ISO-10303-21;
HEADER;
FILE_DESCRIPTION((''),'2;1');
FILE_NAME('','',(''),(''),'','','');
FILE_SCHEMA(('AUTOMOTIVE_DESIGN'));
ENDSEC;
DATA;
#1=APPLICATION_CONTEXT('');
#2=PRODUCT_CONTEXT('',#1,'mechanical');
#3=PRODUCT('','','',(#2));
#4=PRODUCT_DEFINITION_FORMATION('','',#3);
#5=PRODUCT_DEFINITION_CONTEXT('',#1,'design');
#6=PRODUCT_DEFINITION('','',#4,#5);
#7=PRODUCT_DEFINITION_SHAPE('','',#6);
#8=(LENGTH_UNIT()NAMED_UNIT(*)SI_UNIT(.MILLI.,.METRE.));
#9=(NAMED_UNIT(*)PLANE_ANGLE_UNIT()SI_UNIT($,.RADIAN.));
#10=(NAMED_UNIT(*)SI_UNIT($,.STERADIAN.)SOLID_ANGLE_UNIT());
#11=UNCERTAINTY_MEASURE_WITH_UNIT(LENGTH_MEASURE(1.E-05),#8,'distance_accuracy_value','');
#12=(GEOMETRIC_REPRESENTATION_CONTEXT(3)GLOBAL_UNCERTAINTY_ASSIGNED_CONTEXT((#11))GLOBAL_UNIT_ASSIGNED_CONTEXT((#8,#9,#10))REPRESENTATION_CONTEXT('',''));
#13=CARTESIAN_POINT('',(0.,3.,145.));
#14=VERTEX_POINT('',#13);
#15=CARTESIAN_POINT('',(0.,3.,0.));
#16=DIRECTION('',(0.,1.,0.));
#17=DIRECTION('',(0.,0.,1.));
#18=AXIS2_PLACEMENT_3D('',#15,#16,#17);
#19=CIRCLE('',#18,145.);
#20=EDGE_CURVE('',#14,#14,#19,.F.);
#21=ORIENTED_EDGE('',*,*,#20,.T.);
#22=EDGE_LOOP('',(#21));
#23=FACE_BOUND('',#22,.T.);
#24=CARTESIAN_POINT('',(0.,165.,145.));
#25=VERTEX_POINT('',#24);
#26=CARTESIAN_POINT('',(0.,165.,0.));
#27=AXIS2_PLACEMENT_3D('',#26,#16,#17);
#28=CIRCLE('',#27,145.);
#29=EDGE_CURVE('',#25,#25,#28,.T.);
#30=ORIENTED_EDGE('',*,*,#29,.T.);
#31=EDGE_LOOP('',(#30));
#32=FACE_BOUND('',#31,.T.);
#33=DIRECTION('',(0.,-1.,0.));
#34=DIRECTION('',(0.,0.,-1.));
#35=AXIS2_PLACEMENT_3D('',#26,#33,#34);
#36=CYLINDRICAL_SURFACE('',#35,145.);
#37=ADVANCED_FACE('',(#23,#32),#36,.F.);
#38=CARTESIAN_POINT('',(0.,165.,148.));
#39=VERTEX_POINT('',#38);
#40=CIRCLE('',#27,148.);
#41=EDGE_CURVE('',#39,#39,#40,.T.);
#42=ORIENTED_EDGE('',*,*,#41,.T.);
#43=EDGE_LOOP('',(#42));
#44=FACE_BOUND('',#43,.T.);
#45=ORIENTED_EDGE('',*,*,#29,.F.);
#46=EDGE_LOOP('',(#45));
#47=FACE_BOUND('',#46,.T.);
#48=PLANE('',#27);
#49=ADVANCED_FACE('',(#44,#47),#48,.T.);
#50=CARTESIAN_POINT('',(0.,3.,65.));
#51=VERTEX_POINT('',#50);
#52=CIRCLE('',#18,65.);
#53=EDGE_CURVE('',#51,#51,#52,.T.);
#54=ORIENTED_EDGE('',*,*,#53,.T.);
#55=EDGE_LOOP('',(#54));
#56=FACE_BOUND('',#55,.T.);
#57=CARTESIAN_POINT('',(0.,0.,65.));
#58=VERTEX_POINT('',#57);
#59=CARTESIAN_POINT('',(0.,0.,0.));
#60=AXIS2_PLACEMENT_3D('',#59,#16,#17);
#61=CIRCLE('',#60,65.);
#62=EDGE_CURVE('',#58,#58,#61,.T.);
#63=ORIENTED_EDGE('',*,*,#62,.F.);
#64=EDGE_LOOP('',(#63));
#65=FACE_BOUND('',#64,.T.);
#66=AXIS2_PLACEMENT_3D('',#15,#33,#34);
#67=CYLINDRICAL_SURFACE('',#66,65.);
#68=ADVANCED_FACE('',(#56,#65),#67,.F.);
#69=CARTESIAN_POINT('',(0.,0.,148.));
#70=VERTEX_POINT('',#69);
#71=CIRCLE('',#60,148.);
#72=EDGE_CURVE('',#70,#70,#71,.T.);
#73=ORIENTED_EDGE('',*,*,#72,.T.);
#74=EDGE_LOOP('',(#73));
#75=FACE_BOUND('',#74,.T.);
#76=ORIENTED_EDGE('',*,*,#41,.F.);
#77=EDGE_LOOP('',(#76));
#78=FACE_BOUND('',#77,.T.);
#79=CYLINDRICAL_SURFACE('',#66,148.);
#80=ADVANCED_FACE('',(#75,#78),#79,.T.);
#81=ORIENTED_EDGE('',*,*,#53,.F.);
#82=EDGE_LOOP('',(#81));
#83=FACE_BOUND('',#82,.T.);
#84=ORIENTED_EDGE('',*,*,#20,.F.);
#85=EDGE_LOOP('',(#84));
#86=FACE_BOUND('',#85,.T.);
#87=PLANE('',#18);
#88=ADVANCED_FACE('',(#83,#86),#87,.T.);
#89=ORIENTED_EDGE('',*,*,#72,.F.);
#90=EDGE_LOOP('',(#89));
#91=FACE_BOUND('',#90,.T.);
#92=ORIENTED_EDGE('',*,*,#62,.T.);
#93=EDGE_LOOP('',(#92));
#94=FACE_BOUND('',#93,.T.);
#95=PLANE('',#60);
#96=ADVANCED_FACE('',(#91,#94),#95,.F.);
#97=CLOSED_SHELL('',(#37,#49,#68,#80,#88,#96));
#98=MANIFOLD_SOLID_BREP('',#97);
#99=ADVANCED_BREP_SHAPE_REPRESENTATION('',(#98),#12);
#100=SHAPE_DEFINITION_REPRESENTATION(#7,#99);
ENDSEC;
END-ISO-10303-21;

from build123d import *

# Parameters (mm, degrees)
BASKET_BASE_RING_SKETCH_R   = 148
BASKET_BASE_RING_SKETCH_R_2 = 65
BASKET_BASE_RING_DEPTH      = 3
BASKET_WALL_SKETCH_R        = 148
BASKET_WALL_SKETCH_R_2      = 145
BASKET_WALL_DEPTH           = 165


with BuildPart() as part:
    # Basket Base Ring Sketch → Basket Base Ring (new body)
    with BuildSketch(Plane(origin=(0, 0, 0), x_dir=(1, 0, 0), z_dir=(0, 1, 0))):
        with Locations(Location((0, 0, 0), (0, 0, 270))):
            Circle(BASKET_BASE_RING_SKETCH_R)
        with Locations(Location((0, 0, 0), (0, 0, 270))):
            Circle(BASKET_BASE_RING_SKETCH_R_2, mode=Mode.SUBTRACT)
    extrude(amount=BASKET_BASE_RING_DEPTH)

    # Basket Wall Sketch → Basket Wall (add)
    with BuildSketch(Plane(origin=(0, 0, 0), x_dir=(1, 0, 0), z_dir=(0, 1, 0))):
        with Locations(Location((0, 0, 0), (0, 0, 270))):
            Circle(BASKET_WALL_SKETCH_R)
        with Locations(Location((0, 0, 0), (0, 0, 270))):
            Circle(BASKET_WALL_SKETCH_R_2, mode=Mode.SUBTRACT)
    extrude(amount=BASKET_WALL_DEPTH)


solid = part.part
